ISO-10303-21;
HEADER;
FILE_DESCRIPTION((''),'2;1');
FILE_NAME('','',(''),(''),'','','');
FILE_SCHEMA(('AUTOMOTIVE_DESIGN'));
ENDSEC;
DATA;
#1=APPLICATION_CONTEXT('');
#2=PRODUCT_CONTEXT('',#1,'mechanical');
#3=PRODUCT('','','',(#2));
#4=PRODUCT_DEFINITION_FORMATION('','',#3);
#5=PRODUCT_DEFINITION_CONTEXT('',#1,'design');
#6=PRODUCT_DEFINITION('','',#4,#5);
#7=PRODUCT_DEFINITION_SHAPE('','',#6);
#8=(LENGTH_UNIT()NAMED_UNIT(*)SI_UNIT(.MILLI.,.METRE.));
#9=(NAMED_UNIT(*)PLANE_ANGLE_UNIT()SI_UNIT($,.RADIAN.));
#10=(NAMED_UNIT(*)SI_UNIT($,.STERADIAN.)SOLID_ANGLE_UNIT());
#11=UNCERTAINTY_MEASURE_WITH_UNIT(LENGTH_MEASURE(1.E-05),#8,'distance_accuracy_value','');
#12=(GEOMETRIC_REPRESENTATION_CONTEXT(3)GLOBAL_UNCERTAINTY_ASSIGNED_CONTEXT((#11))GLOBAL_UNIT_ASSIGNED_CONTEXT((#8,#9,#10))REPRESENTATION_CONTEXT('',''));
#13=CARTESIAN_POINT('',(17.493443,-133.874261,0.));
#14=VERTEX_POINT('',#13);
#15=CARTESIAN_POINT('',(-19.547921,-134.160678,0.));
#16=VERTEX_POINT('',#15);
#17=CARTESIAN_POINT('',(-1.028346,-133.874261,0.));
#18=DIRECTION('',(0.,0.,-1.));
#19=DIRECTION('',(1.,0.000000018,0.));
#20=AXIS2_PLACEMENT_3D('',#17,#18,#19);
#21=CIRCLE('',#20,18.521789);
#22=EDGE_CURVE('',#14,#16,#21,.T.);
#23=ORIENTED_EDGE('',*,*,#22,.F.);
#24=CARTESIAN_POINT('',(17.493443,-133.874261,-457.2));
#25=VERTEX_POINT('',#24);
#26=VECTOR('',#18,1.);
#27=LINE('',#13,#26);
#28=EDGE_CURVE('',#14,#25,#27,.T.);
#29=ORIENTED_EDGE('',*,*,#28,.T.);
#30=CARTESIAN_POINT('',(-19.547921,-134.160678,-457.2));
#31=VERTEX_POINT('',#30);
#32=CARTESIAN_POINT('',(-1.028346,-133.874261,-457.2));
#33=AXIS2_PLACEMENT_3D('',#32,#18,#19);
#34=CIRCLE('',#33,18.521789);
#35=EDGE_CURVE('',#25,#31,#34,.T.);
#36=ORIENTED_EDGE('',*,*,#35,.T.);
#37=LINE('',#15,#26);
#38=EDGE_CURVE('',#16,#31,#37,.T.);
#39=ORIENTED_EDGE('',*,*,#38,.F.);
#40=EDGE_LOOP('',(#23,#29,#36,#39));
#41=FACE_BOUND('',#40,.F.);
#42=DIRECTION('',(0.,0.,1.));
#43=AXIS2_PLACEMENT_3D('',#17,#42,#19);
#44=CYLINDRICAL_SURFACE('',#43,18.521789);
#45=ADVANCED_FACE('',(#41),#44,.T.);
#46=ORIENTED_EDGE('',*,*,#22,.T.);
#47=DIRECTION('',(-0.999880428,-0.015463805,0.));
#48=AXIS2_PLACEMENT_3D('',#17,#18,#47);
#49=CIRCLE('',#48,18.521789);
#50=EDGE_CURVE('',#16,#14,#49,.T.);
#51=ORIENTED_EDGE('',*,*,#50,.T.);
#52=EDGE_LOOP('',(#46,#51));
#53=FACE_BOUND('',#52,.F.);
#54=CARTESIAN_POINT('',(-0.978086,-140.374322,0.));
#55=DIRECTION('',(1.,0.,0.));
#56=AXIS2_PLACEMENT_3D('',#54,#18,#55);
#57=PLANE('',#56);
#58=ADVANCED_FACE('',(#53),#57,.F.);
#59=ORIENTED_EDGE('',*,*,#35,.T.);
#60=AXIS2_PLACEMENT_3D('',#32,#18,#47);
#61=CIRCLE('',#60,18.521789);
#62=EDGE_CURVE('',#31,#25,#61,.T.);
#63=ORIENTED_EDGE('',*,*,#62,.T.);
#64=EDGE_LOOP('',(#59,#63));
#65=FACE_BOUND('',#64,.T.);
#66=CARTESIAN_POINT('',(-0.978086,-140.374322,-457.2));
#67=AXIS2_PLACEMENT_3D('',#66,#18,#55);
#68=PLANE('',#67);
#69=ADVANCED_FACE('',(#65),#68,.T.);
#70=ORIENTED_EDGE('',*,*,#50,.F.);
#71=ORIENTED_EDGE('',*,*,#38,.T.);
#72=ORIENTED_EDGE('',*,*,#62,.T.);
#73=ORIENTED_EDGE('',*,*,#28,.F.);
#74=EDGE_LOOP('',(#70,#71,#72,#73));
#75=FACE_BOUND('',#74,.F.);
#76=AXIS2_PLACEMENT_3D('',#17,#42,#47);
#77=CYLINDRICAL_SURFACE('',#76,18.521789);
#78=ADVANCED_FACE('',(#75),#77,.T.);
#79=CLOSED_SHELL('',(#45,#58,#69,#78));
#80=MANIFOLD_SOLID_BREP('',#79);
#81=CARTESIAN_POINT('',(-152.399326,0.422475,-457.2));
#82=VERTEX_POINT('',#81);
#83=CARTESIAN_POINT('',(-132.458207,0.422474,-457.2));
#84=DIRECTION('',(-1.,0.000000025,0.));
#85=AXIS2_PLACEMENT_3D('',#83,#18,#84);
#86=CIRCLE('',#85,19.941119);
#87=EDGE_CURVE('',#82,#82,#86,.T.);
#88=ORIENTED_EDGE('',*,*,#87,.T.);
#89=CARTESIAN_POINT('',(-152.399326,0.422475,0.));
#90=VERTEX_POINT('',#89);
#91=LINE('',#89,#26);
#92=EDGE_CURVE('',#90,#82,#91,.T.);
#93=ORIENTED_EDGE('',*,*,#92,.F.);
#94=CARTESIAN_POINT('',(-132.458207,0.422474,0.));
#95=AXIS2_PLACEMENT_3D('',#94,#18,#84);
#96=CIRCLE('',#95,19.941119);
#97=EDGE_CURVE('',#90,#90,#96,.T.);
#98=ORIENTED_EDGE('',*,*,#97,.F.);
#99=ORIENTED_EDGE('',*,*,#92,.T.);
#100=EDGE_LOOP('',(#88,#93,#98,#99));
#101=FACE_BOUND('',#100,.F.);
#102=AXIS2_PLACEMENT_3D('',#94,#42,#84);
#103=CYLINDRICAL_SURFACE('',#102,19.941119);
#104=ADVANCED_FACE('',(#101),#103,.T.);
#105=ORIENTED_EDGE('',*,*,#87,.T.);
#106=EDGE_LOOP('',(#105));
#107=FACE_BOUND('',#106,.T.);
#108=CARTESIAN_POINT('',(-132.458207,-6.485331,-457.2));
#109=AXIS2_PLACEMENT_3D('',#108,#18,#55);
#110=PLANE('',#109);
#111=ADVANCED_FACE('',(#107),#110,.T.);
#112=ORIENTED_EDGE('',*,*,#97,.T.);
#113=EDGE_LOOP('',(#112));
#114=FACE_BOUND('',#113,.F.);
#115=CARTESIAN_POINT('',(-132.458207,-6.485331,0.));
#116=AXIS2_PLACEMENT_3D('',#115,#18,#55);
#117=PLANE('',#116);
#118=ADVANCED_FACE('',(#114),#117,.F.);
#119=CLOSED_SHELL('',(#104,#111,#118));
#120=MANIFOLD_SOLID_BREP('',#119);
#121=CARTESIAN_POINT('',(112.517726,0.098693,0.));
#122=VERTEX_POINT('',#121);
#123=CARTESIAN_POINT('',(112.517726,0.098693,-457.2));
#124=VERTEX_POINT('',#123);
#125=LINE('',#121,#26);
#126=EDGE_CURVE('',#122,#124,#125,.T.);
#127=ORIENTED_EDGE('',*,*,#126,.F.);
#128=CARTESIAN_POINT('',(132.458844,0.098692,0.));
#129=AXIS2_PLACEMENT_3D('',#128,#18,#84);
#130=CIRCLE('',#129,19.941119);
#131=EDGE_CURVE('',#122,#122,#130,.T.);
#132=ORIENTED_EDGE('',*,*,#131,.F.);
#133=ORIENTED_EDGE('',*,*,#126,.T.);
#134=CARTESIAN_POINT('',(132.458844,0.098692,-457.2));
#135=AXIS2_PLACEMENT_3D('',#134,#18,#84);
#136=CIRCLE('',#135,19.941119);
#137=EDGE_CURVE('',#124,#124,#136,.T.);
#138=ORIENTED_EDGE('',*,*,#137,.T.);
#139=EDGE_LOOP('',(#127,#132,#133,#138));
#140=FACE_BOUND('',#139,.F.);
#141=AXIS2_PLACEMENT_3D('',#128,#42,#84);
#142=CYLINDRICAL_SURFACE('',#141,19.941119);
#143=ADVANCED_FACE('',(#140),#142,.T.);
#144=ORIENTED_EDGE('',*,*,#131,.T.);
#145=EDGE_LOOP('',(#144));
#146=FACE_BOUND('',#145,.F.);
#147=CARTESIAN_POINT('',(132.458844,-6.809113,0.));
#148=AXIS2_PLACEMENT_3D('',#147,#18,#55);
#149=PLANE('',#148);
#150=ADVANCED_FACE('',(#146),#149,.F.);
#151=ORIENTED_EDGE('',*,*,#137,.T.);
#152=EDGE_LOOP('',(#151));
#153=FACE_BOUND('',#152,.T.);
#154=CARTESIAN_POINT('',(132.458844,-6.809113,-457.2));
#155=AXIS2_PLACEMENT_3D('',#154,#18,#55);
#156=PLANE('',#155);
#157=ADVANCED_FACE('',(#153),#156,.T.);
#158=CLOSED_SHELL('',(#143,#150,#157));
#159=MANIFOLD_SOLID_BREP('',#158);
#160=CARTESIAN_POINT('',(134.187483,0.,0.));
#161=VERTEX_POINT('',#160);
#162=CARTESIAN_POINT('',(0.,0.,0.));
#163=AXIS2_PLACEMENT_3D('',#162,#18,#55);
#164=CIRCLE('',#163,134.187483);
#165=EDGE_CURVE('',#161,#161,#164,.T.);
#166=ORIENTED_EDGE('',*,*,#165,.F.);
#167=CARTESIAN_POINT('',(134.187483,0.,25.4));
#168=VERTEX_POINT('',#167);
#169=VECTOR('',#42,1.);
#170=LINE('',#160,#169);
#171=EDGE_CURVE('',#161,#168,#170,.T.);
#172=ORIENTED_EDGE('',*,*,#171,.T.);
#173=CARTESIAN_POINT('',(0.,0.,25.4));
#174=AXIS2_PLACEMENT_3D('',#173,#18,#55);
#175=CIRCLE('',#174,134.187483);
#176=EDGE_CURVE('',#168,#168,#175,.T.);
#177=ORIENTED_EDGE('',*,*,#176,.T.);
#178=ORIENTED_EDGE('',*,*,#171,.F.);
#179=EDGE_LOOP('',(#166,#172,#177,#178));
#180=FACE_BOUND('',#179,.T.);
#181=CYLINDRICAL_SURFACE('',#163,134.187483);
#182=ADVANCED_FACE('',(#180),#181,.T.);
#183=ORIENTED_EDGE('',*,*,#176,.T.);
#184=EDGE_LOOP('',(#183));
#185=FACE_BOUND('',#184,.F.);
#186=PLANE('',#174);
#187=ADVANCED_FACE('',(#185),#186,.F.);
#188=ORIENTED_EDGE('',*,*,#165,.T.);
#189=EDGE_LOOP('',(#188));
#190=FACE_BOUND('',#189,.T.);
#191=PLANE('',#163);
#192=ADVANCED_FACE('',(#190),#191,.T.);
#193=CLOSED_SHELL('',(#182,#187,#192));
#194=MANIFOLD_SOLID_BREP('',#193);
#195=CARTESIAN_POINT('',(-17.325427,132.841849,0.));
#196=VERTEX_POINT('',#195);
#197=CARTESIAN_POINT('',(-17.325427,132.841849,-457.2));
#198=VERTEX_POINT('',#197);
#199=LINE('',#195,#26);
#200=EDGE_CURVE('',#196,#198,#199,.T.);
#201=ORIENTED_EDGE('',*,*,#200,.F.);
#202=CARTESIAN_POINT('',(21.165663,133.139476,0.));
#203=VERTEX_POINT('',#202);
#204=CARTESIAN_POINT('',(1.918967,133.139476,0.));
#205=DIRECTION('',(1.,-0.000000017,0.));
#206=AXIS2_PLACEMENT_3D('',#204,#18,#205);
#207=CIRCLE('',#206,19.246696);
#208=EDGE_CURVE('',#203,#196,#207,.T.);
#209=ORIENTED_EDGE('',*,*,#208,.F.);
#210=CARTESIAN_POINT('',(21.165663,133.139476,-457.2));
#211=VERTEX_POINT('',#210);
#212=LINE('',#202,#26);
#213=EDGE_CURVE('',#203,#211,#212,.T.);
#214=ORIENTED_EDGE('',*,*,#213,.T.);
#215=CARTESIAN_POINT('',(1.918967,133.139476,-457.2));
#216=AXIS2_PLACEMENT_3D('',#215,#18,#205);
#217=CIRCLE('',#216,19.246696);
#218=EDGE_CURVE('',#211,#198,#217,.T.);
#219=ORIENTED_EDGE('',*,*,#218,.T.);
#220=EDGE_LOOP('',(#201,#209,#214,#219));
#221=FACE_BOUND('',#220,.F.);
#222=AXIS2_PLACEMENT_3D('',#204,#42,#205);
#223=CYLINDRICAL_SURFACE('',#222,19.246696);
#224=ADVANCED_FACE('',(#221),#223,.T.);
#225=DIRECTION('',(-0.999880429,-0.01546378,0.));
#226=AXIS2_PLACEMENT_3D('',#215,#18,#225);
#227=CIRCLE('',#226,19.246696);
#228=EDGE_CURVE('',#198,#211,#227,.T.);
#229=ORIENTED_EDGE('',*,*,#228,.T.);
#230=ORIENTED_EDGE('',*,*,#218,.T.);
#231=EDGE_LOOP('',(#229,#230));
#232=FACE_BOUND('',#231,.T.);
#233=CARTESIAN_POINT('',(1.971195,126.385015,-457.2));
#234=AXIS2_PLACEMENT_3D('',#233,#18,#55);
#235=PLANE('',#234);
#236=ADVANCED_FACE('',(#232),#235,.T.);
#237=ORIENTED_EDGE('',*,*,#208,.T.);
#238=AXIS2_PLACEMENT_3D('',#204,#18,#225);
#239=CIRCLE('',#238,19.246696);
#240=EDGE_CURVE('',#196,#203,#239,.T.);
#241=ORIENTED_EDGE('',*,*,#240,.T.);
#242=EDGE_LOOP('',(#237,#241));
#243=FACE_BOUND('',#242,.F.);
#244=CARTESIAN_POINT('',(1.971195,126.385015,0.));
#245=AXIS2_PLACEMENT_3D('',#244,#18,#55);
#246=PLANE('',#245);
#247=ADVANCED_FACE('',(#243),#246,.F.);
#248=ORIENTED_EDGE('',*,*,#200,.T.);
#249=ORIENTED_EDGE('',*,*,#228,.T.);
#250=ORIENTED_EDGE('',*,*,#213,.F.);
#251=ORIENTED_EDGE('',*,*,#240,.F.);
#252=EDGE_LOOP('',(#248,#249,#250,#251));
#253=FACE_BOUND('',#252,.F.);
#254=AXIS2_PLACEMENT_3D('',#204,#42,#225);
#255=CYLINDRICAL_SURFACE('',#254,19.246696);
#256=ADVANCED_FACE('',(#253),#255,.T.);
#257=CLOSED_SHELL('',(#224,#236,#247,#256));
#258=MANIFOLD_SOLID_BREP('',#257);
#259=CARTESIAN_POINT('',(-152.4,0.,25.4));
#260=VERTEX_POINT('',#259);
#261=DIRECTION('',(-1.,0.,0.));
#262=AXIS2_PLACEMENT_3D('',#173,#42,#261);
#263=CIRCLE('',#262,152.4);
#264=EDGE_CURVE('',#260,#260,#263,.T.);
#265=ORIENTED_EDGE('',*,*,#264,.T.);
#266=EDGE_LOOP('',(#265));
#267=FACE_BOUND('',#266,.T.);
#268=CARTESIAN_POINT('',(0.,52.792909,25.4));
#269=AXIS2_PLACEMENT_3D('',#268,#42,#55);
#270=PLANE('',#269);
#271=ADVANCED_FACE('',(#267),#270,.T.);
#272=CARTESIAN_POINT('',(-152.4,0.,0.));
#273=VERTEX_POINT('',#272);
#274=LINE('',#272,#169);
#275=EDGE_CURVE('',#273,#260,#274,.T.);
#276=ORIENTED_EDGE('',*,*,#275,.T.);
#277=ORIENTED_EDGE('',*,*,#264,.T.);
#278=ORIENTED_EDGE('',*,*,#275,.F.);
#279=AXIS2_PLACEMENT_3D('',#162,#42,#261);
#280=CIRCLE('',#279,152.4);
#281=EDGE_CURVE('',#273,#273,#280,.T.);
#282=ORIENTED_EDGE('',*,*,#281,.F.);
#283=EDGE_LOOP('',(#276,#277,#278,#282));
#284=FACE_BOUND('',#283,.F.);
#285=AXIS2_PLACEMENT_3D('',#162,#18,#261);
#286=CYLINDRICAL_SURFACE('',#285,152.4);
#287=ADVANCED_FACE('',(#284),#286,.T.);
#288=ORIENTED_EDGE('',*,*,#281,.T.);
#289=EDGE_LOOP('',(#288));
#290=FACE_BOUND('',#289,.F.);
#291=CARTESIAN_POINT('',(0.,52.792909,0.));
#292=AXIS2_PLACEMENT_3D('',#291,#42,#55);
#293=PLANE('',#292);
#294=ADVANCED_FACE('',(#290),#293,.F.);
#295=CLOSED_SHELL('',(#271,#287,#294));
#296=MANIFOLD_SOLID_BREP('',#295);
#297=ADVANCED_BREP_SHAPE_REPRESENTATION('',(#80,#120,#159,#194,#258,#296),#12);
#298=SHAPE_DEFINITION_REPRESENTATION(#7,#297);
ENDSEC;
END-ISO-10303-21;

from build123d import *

# Parameters (mm, degrees)
F1_DEPTH = 25.4
F3_DEPTH = 457.2
F4_R     = 134.187483
F5_DEPTH = 25.4


with BuildPart() as f1:
    # F0 (on Top) → F1 (new body)
    with BuildSketch(Plane.XY):
        with BuildLine():
            Line((-152.4, 0), (152.4, 0))
            ThreePointArc((152.4, 0), (0, 152.4), (-152.4, 0))
        make_face()
        with BuildLine():
            ThreePointArc((-152.4, 0), (0, -152.4), (152.4, 0))
            Line((152.4, 0), (-152.4, 0))
        make_face()
    extrude(amount=F1_DEPTH)


with BuildPart() as f3:
    # F2 (on face) → F3 (new body)
    with BuildSketch(Plane(origin=(0, 0, 0), x_dir=(1, 0, 0), z_dir=(0, 0, -1))):
        with BuildLine():
            Line((-17.325427, -132.841849), (21.165663, -133.139476))
            ThreePointArc((21.165663, -133.139476), (2.067785, -113.893356), (-17.325427, -132.841849))
        make_face()
        with BuildLine():
            ThreePointArc((-17.325427, -132.841849), (1.770149, -152.385596), (21.165663, -133.139476))
            Line((21.165663, -133.139476), (-17.325427, -132.841849))
        make_face()
        with BuildLine():
            Line((-19.547921, 134.160678), (17.493443, 133.874261))
            ThreePointArc((17.493443, 133.874261), (-0.885134, 152.395497), (-19.547921, 134.160678))
        make_face()
        with BuildLine():
            ThreePointArc((-19.547921, 134.160678), (-1.171559, 115.353025), (17.493443, 133.874261))
            Line((17.493443, 133.874261), (-19.547921, 134.160678))
        make_face()
        with BuildLine():
            Line((112.517726, -0.098693), (152.399963, -0.098693))
            ThreePointArc((152.399963, -0.098693), (132.458845, 19.842426), (112.517726, -0.098693))
        make_face()
        with BuildLine():
            ThreePointArc((112.517726, -0.098693), (132.458845, -20.039811), (152.399963, -0.098693))
            Line((152.399963, -0.098693), (112.517726, -0.098693))
        make_face()
        with BuildLine():
            Line((-152.399326, -0.422475), (-112.517089, -0.422475))
            ThreePointArc((-112.517089, -0.422475), (-132.458208, 19.518644), (-152.399326, -0.422475))
        make_face()
        with BuildLine():
            ThreePointArc((-152.399326, -0.422475), (-132.458208, -20.363593), (-112.517089, -0.422475))
            Line((-112.517089, -0.422475), (-152.399326, -0.422475))
        make_face()
    extrude(amount=F3_DEPTH)


with BuildPart() as f5:
    # F4 (on face) → F5 (new body)
    with BuildSketch(Plane(origin=(0, 0, 0), x_dir=(1, 0, 0), z_dir=(0, 0, -1))):
        Circle(F4_R)
    extrude(amount=-F5_DEPTH)


solid = Compound([f1.part, f3.part, f5.part])
